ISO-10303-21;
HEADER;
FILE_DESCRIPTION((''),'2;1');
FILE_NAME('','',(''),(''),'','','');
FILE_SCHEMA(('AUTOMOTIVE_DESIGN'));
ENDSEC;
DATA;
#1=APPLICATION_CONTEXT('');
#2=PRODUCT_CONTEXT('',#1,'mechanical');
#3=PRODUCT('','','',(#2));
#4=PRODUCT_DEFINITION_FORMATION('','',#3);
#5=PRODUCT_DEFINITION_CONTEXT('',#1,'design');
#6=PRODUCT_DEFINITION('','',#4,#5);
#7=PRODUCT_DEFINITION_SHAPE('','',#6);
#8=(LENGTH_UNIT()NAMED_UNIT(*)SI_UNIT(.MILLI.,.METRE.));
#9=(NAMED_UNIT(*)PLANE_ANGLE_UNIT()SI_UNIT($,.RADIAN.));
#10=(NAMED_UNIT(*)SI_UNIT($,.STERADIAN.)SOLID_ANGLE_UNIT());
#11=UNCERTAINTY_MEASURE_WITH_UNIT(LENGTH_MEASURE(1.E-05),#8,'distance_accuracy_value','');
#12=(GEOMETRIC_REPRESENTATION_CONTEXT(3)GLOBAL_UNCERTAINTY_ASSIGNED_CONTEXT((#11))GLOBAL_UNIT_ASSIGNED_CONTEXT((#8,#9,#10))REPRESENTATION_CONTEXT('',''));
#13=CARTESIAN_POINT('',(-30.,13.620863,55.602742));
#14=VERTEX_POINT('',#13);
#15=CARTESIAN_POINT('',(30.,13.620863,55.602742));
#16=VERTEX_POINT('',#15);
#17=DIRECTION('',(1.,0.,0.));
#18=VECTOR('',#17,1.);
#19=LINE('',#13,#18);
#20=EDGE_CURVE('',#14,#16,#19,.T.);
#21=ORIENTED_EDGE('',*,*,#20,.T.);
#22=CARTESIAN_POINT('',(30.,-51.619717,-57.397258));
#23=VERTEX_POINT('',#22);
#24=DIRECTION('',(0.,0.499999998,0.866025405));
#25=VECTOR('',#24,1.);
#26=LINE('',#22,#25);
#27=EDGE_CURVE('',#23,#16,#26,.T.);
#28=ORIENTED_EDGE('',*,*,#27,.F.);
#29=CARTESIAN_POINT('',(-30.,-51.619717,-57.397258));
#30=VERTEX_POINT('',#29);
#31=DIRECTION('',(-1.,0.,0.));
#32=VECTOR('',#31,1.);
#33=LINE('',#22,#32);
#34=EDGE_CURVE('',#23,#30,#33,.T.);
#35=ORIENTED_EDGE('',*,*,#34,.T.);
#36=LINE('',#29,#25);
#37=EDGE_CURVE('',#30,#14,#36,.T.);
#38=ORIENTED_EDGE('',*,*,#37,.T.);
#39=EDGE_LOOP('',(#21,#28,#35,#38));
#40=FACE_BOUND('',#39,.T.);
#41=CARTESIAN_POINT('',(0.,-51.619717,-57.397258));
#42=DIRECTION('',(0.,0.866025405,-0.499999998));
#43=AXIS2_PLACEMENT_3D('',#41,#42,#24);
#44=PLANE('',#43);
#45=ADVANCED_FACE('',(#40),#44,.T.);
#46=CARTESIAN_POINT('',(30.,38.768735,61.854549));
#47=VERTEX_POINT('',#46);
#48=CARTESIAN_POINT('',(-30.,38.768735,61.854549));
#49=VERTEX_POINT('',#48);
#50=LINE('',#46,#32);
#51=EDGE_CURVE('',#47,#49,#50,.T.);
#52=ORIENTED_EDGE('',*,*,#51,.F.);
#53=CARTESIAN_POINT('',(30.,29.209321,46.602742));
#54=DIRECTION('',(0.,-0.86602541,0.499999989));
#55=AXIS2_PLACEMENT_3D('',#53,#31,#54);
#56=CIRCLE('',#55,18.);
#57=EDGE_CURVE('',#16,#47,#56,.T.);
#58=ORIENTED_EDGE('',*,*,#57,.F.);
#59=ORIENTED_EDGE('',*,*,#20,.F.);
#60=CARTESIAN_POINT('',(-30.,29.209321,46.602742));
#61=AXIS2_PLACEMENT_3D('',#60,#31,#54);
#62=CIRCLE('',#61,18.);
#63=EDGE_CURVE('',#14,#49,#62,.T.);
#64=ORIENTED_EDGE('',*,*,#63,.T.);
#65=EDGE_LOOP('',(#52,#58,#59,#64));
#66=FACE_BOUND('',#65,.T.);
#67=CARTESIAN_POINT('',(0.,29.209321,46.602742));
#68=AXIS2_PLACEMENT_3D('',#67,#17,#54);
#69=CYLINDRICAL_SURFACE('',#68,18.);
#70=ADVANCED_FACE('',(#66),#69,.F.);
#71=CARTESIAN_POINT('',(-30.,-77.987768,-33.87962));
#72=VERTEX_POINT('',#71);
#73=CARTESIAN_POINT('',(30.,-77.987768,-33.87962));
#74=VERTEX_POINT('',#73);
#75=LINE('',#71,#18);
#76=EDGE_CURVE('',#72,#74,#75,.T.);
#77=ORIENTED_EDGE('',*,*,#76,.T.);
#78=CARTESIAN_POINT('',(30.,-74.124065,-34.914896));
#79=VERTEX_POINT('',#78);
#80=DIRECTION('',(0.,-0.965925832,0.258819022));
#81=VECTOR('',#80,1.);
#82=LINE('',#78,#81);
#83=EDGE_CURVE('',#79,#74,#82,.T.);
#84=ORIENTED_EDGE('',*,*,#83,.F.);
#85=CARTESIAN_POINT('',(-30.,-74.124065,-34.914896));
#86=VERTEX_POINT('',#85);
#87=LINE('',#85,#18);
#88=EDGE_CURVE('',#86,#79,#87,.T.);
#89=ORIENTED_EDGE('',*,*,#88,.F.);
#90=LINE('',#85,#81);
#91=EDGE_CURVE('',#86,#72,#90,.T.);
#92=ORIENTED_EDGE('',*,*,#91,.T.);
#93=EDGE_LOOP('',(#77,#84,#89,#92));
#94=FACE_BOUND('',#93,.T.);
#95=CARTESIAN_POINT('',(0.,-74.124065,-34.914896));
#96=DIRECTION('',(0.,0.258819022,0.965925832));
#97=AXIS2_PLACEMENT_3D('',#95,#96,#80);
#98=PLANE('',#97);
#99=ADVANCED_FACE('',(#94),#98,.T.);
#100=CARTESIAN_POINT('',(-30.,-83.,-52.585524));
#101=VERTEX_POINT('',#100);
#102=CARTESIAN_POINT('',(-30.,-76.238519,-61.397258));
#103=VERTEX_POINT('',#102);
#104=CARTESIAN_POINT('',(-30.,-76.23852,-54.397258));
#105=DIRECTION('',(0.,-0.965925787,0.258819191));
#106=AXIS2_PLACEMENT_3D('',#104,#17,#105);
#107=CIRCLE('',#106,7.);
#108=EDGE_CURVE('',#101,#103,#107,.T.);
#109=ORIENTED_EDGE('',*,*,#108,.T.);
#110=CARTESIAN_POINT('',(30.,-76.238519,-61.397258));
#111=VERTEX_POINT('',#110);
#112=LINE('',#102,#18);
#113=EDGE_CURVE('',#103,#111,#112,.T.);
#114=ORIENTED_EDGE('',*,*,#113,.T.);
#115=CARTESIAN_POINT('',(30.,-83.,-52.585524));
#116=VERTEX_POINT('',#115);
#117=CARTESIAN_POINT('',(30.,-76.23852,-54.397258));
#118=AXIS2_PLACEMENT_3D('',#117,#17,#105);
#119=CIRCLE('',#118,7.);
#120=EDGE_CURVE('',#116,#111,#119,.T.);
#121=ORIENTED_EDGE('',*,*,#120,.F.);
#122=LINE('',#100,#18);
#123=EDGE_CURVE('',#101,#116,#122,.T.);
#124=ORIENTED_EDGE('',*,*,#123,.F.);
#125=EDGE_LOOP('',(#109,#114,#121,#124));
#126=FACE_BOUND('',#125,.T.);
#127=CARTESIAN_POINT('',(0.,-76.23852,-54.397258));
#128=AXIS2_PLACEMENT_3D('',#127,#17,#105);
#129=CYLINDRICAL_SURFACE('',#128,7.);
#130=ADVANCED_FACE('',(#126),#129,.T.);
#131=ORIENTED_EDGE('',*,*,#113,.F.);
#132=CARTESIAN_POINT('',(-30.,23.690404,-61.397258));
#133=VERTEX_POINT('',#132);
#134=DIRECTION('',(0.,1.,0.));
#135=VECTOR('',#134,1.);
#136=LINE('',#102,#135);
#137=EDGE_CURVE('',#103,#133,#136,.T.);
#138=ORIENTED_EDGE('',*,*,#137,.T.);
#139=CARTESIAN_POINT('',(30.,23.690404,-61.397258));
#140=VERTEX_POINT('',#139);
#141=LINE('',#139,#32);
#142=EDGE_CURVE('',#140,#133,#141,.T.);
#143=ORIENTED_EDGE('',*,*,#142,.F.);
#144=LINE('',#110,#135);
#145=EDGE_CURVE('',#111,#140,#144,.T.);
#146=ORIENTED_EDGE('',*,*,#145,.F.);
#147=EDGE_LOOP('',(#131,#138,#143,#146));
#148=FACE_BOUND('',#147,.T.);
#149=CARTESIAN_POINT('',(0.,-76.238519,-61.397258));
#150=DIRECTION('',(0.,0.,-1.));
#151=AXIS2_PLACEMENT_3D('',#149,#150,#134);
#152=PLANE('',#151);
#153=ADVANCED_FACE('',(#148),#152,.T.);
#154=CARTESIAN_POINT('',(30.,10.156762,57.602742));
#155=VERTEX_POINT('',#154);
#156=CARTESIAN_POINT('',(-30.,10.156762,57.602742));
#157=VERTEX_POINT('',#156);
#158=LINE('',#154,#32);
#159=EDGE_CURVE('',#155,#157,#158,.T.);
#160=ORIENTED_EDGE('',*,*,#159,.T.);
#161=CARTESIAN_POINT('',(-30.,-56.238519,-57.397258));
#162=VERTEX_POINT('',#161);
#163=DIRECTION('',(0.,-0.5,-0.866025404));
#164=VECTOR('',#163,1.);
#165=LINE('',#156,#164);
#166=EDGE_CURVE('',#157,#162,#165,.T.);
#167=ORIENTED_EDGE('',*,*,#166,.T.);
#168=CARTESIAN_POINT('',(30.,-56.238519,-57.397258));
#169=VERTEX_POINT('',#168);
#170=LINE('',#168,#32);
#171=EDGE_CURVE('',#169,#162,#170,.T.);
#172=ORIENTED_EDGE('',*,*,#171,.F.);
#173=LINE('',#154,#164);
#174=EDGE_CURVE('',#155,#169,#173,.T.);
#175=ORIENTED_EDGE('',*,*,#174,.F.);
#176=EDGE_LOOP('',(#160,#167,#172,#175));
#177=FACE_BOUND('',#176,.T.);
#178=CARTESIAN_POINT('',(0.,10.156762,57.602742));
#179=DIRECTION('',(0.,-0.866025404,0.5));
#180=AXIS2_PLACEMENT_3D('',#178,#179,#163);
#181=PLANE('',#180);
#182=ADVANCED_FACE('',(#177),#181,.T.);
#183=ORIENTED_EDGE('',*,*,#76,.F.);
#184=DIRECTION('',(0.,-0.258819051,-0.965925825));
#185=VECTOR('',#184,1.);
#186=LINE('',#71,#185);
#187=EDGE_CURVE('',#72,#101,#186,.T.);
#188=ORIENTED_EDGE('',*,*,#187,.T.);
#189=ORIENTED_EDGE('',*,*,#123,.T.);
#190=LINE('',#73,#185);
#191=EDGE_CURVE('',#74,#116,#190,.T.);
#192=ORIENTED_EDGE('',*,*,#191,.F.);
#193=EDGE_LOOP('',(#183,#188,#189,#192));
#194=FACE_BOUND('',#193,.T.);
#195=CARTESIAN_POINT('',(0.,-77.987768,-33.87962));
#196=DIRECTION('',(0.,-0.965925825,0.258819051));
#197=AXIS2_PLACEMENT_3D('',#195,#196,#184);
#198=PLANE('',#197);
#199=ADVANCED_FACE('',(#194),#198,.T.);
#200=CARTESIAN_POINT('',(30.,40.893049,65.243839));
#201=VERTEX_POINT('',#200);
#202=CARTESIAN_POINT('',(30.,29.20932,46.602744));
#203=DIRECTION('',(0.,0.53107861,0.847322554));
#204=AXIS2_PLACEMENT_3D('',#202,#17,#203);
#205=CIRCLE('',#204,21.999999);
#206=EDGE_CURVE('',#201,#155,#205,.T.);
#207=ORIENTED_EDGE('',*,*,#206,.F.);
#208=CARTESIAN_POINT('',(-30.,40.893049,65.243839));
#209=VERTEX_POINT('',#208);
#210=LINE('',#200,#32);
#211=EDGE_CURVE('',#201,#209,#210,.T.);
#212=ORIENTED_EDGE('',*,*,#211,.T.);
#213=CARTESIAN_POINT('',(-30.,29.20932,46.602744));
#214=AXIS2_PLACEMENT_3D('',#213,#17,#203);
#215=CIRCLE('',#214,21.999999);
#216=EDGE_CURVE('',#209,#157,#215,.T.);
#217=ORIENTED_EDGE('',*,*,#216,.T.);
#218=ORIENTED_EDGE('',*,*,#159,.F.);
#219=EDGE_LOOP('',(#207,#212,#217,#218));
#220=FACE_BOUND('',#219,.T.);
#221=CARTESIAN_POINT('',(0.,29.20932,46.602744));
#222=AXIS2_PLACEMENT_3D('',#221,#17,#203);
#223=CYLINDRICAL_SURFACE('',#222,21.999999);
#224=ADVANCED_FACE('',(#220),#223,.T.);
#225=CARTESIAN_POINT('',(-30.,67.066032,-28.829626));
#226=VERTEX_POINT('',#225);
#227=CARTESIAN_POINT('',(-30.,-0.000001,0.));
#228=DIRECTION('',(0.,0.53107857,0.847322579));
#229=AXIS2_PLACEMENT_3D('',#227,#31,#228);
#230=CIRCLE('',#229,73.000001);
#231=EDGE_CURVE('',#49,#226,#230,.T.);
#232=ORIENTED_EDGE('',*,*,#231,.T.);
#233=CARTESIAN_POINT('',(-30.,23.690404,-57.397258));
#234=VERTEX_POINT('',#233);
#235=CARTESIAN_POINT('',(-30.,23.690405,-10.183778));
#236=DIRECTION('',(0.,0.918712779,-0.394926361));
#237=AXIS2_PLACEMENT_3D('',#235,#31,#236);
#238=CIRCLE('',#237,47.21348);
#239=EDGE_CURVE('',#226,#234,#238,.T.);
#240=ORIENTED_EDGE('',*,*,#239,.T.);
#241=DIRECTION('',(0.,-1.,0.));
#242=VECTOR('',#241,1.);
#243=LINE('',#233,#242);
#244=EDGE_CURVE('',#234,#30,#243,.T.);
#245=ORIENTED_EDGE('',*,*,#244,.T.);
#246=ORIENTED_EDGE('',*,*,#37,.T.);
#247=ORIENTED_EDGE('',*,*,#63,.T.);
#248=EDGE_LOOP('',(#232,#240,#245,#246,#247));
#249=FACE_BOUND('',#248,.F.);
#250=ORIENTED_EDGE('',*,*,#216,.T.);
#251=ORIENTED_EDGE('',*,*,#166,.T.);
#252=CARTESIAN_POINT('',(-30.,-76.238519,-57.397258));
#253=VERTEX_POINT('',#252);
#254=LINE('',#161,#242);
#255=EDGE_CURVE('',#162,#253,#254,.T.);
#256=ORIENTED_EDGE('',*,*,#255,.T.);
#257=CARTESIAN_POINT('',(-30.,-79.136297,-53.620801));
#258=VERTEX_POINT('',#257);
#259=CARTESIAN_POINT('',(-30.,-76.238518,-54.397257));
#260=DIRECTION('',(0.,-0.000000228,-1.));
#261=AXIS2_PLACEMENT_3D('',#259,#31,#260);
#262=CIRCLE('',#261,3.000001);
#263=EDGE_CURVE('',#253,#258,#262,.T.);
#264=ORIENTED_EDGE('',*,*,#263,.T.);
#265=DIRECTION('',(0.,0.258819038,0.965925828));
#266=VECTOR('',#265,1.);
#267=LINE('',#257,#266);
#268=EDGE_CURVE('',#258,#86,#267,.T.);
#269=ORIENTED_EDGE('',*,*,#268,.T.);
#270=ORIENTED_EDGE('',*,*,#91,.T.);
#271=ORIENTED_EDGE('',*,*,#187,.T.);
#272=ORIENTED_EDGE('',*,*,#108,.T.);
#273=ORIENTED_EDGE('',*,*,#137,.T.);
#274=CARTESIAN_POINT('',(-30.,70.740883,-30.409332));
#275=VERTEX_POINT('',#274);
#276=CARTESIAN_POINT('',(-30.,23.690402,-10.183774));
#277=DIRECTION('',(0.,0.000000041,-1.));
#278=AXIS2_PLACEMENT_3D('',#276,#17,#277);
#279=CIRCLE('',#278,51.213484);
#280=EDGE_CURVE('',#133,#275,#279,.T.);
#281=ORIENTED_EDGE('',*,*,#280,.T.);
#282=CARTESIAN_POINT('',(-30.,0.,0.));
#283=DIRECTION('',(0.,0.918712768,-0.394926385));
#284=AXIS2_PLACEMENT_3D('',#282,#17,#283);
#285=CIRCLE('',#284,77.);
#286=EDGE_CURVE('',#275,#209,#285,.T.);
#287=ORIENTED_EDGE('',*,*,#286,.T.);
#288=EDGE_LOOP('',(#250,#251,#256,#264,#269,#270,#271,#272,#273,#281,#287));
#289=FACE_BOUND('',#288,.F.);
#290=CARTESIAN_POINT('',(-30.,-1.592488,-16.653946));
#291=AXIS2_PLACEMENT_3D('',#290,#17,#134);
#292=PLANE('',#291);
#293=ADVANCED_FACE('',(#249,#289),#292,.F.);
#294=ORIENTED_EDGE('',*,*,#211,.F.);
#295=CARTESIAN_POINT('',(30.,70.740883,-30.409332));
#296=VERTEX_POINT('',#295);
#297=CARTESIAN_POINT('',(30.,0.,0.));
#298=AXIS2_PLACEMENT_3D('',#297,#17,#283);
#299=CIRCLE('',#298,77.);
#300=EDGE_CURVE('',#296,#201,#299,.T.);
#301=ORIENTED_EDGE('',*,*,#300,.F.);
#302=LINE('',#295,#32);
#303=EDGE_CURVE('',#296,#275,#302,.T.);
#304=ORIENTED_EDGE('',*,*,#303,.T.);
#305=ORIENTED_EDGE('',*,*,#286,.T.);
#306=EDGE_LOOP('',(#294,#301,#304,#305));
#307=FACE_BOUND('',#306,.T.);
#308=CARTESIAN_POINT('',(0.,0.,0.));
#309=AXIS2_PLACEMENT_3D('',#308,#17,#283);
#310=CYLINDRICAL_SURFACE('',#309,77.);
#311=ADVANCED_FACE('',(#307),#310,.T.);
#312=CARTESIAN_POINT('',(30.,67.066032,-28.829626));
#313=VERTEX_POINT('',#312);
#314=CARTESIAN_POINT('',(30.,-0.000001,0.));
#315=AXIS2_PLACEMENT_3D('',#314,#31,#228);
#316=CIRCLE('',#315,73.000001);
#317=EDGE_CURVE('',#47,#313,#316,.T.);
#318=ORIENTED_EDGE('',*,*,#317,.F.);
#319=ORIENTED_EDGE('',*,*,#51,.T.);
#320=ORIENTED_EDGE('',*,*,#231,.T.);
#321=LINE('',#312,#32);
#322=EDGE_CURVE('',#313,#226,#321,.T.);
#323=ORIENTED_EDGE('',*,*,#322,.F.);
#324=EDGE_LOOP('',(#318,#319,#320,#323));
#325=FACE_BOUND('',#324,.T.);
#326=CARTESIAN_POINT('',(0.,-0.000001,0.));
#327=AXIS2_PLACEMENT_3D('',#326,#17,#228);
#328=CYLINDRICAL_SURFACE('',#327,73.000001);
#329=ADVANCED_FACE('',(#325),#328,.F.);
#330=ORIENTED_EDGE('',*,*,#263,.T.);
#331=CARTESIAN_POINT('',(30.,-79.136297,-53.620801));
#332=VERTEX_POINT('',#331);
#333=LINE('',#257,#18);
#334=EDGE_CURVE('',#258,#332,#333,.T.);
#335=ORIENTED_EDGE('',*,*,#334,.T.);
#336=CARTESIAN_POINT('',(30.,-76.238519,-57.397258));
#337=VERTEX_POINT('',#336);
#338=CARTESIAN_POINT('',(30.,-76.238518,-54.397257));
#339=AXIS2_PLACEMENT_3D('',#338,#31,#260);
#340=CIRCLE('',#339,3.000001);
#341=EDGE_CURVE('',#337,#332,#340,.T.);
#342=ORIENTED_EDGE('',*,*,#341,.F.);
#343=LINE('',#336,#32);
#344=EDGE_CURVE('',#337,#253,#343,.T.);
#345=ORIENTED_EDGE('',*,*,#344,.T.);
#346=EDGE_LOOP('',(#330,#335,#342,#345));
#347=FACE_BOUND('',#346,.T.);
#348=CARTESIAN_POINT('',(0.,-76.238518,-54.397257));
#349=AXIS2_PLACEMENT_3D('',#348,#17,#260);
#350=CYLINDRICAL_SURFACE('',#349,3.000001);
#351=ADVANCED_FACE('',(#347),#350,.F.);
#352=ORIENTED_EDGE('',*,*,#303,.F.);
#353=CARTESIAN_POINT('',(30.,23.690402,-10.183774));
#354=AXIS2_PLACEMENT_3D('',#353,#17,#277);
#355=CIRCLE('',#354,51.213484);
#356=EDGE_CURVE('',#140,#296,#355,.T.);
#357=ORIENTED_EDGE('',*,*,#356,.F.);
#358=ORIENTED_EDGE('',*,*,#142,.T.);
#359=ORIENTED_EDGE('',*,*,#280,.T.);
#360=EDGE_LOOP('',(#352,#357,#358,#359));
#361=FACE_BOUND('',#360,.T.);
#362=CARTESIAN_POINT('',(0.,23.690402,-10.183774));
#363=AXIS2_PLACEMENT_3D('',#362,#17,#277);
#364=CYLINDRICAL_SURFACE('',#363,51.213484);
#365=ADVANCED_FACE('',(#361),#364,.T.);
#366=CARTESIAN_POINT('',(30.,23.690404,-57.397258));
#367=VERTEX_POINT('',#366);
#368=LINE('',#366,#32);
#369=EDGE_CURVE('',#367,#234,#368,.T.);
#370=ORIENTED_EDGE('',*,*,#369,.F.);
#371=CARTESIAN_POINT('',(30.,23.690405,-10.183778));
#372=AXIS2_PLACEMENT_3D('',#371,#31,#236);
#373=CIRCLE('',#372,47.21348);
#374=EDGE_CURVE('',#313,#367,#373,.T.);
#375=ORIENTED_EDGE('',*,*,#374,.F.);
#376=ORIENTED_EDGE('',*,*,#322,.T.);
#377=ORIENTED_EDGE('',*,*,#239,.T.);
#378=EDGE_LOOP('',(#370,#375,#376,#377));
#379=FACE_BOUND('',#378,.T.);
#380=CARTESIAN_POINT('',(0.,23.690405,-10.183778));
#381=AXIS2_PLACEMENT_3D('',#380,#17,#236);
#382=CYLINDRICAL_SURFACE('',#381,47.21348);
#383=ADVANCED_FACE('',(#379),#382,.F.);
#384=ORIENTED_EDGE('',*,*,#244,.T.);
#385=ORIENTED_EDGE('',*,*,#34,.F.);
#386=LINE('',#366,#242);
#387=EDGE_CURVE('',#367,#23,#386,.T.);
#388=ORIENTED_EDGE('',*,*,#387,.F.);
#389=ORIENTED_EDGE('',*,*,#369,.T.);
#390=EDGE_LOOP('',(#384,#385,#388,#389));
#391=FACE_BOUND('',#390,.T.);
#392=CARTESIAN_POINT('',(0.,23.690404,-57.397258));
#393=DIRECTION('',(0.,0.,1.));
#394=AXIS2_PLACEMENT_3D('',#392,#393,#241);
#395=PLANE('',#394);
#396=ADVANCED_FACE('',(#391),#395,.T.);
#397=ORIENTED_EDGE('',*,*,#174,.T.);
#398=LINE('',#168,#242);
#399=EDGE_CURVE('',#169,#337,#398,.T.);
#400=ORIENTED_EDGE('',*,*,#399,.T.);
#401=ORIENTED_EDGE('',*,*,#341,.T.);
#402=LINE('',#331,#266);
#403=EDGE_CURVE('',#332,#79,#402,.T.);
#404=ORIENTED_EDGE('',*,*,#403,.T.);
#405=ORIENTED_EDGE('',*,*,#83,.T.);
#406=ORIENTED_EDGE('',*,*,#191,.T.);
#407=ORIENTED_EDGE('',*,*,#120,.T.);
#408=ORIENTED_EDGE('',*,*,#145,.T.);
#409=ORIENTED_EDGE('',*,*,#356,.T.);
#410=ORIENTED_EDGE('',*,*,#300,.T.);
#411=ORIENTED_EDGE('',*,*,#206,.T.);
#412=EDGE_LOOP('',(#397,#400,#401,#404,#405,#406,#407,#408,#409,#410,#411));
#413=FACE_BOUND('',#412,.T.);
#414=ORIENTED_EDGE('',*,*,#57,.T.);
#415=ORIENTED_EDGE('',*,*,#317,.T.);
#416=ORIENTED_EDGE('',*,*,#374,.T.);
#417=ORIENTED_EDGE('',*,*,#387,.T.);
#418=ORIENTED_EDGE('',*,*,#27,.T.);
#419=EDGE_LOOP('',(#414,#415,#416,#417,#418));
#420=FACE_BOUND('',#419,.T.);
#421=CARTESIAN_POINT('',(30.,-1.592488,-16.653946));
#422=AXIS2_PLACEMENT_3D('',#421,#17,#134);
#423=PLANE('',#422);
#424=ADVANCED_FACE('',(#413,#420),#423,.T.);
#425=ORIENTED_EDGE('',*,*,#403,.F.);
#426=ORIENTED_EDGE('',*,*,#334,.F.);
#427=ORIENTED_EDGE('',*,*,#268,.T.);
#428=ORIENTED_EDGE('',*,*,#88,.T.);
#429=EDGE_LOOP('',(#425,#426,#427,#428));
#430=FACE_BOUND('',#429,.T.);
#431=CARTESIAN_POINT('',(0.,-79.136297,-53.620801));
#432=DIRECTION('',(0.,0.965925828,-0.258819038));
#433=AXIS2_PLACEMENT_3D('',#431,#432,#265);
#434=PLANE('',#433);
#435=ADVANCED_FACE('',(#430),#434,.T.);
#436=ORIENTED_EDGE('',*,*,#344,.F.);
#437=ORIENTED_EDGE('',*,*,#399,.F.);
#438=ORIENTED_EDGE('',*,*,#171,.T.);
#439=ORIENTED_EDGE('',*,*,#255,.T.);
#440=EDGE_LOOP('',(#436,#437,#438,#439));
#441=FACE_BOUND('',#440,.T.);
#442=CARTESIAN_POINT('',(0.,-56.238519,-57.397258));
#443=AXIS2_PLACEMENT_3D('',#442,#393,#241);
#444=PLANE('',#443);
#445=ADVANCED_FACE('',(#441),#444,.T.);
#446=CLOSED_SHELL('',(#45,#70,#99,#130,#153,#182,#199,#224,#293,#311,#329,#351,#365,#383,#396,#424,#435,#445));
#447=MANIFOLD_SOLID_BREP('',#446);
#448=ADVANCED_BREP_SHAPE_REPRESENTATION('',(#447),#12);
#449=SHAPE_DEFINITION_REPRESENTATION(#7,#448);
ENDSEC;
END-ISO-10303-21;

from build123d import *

# Parameters (mm, degrees)
F1_DEPTH = 30


with BuildPart() as f1:
    # F0 (on Right) → F1 (new body, symmetric)
    with BuildSketch(Plane.YZ):
        with BuildLine():
            ThreePointArc((-76.238519, -57.397258), (-78.618579, -56.223542), (-79.136297, -53.620801))
            Line((-79.136297, -53.620801), (-74.124065, -34.914896))
            Line((-74.124065, -34.914896), (-77.987768, -33.87962))
            Line((-77.987768, -33.87962), (-83, -52.585524))
            ThreePointArc((-83, -52.585524), (-81.791993, -58.658588), (-76.238519, -61.397258))
            Line((-76.238519, -61.397258), (23.690404, -61.397258))
            ThreePointArc((23.690404, -61.397258), (51.859532, -52.954337), (70.740883, -30.409332))
            ThreePointArc((70.740883, -30.409332), (73.50453, 22.936522), (40.893049, 65.243839))
            ThreePointArc((40.893049, 65.243839), (23.901637, 67.952883), (10.156762, 57.602742))
            Line((10.156762, 57.602742), (-56.238519, -57.397258))
            Line((-56.238519, -57.397258), (-76.238519, -57.397258))
        make_face()
        with BuildLine():
            ThreePointArc((13.620863, 55.602742), (24.86667, 64.071039), (38.768735, 61.854549))
            ThreePointArc((38.768735, 61.854549), (69.686113, 21.745014), (67.066032, -28.829626))
            ThreePointArc((67.066032, -28.829626), (49.659399, -49.613767), (23.690404, -57.397258))
            Line((23.690404, -57.397258), (-51.619717, -57.397258))
            Line((-51.619717, -57.397258), (13.620863, 55.602742))
        make_face(mode=Mode.SUBTRACT)
    extrude(amount=F1_DEPTH, both=True)


solid = f1.part
